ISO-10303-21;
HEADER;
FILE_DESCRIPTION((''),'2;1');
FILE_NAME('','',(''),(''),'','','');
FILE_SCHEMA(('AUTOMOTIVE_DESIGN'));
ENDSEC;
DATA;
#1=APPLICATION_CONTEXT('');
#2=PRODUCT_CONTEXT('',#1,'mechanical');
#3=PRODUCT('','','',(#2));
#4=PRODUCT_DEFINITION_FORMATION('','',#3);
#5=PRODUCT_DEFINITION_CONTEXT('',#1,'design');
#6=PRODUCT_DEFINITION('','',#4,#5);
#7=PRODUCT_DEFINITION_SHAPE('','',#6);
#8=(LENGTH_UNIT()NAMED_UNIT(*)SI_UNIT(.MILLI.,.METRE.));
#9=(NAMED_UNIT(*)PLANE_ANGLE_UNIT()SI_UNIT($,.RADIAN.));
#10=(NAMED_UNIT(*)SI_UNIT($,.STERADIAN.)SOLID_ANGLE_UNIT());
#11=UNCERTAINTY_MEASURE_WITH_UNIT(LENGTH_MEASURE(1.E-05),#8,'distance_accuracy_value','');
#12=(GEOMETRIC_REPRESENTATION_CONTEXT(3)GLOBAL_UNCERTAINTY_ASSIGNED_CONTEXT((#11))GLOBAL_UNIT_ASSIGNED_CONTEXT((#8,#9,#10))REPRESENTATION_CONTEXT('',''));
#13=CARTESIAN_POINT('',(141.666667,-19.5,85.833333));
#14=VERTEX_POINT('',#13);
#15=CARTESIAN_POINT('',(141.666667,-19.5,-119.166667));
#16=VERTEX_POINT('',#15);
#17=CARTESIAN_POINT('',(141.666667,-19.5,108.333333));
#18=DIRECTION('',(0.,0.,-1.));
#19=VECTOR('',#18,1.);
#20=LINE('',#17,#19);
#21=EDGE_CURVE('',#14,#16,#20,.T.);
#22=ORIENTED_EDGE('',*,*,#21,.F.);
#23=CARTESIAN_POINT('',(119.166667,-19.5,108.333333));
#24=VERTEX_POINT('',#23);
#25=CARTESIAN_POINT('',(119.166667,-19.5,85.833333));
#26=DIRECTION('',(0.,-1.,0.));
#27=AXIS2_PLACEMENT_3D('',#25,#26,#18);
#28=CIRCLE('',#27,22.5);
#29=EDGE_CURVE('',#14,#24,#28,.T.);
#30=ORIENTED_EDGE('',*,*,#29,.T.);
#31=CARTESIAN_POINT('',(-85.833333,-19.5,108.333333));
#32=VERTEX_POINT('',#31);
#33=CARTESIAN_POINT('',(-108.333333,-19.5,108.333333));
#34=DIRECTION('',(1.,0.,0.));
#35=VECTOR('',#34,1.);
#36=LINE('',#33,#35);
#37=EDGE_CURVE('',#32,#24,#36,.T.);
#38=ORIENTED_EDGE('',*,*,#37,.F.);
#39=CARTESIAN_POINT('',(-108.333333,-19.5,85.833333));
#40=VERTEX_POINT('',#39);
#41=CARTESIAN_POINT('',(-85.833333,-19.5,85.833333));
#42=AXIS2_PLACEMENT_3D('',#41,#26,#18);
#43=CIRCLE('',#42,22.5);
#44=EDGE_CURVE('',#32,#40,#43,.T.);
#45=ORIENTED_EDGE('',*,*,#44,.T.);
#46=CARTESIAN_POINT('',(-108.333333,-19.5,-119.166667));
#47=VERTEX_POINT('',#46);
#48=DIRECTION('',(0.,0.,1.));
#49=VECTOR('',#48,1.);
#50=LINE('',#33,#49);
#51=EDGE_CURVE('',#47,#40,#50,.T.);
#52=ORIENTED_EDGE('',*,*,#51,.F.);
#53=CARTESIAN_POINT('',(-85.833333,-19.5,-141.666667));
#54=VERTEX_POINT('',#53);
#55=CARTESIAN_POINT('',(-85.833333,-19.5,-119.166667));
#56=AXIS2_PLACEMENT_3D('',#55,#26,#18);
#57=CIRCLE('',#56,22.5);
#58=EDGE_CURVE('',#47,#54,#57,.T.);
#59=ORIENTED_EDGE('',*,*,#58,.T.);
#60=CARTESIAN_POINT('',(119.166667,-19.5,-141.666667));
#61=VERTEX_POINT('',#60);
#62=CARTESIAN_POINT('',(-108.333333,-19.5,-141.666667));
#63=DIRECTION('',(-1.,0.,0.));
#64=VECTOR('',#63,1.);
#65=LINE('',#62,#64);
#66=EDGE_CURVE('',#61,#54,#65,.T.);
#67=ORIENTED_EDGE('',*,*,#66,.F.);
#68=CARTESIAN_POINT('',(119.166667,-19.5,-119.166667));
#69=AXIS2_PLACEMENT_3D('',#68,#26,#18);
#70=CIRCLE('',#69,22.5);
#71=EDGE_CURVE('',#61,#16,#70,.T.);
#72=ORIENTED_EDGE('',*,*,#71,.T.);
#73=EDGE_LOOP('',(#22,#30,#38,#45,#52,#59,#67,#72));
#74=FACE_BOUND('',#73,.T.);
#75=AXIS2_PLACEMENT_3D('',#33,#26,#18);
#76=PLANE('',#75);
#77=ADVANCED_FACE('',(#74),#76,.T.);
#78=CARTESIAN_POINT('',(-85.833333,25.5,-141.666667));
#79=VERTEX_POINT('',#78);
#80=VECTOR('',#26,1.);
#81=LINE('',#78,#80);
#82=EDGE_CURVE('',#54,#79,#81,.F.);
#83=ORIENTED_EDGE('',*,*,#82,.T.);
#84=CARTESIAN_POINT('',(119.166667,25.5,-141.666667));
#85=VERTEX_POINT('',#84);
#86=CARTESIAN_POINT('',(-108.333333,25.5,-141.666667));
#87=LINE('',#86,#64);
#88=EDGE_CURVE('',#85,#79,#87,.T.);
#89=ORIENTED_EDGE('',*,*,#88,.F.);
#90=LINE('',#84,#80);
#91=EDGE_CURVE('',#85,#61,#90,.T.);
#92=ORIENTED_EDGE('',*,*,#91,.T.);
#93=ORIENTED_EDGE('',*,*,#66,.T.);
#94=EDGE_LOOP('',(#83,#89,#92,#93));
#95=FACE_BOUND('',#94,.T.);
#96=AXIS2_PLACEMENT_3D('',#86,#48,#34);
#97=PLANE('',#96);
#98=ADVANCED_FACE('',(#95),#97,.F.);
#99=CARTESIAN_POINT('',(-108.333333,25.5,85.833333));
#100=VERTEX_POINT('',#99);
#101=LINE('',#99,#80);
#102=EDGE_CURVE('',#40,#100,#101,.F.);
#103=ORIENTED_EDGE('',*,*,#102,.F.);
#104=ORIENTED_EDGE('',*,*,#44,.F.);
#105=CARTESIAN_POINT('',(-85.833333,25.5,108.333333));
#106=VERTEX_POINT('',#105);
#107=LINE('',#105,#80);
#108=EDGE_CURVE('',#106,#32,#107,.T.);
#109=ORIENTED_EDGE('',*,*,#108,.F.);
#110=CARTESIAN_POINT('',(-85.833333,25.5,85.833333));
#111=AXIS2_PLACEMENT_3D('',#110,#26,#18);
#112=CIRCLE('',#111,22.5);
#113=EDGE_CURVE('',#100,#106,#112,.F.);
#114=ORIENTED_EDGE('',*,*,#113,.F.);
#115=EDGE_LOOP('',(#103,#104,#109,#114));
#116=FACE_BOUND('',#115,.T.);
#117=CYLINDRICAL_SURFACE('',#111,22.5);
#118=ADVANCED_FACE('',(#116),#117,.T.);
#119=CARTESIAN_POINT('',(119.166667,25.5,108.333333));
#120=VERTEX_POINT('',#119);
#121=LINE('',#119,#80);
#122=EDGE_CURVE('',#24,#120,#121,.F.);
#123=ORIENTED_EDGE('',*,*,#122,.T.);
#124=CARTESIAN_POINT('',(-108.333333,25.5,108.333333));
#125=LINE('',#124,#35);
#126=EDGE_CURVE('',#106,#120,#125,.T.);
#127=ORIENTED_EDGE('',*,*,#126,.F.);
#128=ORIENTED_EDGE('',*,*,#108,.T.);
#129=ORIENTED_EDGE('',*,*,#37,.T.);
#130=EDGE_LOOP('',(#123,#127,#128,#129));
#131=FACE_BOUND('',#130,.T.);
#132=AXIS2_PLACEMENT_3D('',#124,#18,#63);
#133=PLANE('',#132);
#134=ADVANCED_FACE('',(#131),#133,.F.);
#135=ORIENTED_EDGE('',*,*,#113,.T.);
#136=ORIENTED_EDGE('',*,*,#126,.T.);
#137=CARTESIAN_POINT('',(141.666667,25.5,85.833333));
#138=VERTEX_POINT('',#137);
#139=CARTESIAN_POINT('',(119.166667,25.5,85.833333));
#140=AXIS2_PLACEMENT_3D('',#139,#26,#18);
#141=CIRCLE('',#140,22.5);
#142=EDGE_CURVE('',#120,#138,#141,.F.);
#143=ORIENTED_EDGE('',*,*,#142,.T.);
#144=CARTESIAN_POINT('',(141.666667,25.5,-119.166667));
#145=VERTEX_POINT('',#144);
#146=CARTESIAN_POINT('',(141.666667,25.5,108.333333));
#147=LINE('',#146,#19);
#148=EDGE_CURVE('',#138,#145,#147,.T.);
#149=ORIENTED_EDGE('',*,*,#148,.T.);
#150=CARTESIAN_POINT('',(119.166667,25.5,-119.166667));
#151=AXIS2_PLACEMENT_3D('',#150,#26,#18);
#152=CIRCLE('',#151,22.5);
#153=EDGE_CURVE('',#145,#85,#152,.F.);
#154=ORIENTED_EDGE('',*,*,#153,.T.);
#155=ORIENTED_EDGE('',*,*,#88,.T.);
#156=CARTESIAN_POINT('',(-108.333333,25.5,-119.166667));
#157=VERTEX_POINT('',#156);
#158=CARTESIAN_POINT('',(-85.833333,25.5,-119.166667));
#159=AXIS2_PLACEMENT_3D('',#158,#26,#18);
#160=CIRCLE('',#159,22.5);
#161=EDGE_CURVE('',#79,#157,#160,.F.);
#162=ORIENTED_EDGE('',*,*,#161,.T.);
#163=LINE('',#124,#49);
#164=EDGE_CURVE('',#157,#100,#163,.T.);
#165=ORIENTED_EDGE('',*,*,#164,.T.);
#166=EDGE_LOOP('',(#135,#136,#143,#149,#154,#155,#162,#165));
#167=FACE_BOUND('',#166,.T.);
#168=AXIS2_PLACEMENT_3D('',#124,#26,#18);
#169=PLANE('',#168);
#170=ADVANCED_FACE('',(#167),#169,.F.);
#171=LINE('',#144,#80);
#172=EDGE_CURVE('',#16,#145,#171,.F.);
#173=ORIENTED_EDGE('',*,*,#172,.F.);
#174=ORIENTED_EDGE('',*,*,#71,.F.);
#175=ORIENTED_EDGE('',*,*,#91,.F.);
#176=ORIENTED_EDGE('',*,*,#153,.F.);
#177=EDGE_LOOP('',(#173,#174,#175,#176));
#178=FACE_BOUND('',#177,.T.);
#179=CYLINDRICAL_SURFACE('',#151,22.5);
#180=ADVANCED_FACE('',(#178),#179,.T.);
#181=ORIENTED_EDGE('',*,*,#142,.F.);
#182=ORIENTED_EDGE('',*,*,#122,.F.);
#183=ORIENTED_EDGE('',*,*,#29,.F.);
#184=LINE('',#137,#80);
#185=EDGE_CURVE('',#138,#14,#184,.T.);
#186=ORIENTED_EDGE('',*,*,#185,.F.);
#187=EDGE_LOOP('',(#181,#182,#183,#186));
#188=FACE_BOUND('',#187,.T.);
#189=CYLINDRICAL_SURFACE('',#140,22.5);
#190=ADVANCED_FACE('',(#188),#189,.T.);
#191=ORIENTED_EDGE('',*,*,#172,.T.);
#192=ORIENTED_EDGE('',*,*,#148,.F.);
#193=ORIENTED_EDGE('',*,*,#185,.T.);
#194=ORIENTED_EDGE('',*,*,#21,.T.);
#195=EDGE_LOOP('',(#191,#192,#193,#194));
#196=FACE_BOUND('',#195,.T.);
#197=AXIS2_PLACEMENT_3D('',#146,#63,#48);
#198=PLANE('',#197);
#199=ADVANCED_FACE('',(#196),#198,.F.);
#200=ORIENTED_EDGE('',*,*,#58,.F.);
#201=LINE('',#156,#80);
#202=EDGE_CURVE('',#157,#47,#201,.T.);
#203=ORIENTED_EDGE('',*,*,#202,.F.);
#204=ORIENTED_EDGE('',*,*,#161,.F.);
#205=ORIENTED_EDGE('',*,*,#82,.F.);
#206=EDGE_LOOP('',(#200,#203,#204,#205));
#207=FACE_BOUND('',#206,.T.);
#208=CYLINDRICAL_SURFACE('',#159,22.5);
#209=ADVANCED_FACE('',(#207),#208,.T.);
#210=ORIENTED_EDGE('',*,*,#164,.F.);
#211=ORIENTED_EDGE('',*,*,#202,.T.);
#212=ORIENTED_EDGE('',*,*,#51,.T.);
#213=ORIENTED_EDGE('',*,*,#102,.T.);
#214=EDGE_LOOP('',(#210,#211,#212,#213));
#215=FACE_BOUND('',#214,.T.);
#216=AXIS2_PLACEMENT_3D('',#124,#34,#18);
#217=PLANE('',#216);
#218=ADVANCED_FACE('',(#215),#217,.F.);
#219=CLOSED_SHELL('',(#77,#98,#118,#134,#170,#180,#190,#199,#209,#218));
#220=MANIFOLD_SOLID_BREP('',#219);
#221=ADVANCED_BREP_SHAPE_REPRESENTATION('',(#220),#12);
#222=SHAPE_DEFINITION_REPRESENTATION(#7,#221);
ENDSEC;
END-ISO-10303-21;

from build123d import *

# Parameters (mm, degrees)
SKETCH2_W           = 33.333333333
SKETCH2_H           = 33.333333333
BOSS_EXTRUDE1_DEPTH = 6
FILLET1_R           = 3
SCALE1_SCALE        = 7.5


with BuildPart() as part:
    # Sketch2 → Boss-Extrude1 (new body)
    with BuildSketch(Plane(origin=(0, 0, 0), x_dir=(1, 0, 0), z_dir=(0, 1, 0))):
        with Locations((16.666666666, 16.666666666)):
            Rectangle(SKETCH2_W, SKETCH2_H)
    extrude(amount=BOSS_EXTRUDE1_DEPTH)

    # Fillet1
    fillet1_edges = [part.edges().sort_by_distance(p)[0] for p in [
        (0, 3, -33.333333333),
        (33.333333333, 3, -33.333333333),
        (33.333333333, 3, 0),
        (0, 3, 0),
    ]]
    fillet(fillet1_edges, radius=FILLET1_R)


with BuildPart() as part_1:
    # Scale1: scaled about (16.666666667, 3, -16.666666667)
    add(part.part.scale(SCALE1_SCALE).moved(Location((-108.333333336, -19.5, 108.333333336))))


solid = part_1.part
